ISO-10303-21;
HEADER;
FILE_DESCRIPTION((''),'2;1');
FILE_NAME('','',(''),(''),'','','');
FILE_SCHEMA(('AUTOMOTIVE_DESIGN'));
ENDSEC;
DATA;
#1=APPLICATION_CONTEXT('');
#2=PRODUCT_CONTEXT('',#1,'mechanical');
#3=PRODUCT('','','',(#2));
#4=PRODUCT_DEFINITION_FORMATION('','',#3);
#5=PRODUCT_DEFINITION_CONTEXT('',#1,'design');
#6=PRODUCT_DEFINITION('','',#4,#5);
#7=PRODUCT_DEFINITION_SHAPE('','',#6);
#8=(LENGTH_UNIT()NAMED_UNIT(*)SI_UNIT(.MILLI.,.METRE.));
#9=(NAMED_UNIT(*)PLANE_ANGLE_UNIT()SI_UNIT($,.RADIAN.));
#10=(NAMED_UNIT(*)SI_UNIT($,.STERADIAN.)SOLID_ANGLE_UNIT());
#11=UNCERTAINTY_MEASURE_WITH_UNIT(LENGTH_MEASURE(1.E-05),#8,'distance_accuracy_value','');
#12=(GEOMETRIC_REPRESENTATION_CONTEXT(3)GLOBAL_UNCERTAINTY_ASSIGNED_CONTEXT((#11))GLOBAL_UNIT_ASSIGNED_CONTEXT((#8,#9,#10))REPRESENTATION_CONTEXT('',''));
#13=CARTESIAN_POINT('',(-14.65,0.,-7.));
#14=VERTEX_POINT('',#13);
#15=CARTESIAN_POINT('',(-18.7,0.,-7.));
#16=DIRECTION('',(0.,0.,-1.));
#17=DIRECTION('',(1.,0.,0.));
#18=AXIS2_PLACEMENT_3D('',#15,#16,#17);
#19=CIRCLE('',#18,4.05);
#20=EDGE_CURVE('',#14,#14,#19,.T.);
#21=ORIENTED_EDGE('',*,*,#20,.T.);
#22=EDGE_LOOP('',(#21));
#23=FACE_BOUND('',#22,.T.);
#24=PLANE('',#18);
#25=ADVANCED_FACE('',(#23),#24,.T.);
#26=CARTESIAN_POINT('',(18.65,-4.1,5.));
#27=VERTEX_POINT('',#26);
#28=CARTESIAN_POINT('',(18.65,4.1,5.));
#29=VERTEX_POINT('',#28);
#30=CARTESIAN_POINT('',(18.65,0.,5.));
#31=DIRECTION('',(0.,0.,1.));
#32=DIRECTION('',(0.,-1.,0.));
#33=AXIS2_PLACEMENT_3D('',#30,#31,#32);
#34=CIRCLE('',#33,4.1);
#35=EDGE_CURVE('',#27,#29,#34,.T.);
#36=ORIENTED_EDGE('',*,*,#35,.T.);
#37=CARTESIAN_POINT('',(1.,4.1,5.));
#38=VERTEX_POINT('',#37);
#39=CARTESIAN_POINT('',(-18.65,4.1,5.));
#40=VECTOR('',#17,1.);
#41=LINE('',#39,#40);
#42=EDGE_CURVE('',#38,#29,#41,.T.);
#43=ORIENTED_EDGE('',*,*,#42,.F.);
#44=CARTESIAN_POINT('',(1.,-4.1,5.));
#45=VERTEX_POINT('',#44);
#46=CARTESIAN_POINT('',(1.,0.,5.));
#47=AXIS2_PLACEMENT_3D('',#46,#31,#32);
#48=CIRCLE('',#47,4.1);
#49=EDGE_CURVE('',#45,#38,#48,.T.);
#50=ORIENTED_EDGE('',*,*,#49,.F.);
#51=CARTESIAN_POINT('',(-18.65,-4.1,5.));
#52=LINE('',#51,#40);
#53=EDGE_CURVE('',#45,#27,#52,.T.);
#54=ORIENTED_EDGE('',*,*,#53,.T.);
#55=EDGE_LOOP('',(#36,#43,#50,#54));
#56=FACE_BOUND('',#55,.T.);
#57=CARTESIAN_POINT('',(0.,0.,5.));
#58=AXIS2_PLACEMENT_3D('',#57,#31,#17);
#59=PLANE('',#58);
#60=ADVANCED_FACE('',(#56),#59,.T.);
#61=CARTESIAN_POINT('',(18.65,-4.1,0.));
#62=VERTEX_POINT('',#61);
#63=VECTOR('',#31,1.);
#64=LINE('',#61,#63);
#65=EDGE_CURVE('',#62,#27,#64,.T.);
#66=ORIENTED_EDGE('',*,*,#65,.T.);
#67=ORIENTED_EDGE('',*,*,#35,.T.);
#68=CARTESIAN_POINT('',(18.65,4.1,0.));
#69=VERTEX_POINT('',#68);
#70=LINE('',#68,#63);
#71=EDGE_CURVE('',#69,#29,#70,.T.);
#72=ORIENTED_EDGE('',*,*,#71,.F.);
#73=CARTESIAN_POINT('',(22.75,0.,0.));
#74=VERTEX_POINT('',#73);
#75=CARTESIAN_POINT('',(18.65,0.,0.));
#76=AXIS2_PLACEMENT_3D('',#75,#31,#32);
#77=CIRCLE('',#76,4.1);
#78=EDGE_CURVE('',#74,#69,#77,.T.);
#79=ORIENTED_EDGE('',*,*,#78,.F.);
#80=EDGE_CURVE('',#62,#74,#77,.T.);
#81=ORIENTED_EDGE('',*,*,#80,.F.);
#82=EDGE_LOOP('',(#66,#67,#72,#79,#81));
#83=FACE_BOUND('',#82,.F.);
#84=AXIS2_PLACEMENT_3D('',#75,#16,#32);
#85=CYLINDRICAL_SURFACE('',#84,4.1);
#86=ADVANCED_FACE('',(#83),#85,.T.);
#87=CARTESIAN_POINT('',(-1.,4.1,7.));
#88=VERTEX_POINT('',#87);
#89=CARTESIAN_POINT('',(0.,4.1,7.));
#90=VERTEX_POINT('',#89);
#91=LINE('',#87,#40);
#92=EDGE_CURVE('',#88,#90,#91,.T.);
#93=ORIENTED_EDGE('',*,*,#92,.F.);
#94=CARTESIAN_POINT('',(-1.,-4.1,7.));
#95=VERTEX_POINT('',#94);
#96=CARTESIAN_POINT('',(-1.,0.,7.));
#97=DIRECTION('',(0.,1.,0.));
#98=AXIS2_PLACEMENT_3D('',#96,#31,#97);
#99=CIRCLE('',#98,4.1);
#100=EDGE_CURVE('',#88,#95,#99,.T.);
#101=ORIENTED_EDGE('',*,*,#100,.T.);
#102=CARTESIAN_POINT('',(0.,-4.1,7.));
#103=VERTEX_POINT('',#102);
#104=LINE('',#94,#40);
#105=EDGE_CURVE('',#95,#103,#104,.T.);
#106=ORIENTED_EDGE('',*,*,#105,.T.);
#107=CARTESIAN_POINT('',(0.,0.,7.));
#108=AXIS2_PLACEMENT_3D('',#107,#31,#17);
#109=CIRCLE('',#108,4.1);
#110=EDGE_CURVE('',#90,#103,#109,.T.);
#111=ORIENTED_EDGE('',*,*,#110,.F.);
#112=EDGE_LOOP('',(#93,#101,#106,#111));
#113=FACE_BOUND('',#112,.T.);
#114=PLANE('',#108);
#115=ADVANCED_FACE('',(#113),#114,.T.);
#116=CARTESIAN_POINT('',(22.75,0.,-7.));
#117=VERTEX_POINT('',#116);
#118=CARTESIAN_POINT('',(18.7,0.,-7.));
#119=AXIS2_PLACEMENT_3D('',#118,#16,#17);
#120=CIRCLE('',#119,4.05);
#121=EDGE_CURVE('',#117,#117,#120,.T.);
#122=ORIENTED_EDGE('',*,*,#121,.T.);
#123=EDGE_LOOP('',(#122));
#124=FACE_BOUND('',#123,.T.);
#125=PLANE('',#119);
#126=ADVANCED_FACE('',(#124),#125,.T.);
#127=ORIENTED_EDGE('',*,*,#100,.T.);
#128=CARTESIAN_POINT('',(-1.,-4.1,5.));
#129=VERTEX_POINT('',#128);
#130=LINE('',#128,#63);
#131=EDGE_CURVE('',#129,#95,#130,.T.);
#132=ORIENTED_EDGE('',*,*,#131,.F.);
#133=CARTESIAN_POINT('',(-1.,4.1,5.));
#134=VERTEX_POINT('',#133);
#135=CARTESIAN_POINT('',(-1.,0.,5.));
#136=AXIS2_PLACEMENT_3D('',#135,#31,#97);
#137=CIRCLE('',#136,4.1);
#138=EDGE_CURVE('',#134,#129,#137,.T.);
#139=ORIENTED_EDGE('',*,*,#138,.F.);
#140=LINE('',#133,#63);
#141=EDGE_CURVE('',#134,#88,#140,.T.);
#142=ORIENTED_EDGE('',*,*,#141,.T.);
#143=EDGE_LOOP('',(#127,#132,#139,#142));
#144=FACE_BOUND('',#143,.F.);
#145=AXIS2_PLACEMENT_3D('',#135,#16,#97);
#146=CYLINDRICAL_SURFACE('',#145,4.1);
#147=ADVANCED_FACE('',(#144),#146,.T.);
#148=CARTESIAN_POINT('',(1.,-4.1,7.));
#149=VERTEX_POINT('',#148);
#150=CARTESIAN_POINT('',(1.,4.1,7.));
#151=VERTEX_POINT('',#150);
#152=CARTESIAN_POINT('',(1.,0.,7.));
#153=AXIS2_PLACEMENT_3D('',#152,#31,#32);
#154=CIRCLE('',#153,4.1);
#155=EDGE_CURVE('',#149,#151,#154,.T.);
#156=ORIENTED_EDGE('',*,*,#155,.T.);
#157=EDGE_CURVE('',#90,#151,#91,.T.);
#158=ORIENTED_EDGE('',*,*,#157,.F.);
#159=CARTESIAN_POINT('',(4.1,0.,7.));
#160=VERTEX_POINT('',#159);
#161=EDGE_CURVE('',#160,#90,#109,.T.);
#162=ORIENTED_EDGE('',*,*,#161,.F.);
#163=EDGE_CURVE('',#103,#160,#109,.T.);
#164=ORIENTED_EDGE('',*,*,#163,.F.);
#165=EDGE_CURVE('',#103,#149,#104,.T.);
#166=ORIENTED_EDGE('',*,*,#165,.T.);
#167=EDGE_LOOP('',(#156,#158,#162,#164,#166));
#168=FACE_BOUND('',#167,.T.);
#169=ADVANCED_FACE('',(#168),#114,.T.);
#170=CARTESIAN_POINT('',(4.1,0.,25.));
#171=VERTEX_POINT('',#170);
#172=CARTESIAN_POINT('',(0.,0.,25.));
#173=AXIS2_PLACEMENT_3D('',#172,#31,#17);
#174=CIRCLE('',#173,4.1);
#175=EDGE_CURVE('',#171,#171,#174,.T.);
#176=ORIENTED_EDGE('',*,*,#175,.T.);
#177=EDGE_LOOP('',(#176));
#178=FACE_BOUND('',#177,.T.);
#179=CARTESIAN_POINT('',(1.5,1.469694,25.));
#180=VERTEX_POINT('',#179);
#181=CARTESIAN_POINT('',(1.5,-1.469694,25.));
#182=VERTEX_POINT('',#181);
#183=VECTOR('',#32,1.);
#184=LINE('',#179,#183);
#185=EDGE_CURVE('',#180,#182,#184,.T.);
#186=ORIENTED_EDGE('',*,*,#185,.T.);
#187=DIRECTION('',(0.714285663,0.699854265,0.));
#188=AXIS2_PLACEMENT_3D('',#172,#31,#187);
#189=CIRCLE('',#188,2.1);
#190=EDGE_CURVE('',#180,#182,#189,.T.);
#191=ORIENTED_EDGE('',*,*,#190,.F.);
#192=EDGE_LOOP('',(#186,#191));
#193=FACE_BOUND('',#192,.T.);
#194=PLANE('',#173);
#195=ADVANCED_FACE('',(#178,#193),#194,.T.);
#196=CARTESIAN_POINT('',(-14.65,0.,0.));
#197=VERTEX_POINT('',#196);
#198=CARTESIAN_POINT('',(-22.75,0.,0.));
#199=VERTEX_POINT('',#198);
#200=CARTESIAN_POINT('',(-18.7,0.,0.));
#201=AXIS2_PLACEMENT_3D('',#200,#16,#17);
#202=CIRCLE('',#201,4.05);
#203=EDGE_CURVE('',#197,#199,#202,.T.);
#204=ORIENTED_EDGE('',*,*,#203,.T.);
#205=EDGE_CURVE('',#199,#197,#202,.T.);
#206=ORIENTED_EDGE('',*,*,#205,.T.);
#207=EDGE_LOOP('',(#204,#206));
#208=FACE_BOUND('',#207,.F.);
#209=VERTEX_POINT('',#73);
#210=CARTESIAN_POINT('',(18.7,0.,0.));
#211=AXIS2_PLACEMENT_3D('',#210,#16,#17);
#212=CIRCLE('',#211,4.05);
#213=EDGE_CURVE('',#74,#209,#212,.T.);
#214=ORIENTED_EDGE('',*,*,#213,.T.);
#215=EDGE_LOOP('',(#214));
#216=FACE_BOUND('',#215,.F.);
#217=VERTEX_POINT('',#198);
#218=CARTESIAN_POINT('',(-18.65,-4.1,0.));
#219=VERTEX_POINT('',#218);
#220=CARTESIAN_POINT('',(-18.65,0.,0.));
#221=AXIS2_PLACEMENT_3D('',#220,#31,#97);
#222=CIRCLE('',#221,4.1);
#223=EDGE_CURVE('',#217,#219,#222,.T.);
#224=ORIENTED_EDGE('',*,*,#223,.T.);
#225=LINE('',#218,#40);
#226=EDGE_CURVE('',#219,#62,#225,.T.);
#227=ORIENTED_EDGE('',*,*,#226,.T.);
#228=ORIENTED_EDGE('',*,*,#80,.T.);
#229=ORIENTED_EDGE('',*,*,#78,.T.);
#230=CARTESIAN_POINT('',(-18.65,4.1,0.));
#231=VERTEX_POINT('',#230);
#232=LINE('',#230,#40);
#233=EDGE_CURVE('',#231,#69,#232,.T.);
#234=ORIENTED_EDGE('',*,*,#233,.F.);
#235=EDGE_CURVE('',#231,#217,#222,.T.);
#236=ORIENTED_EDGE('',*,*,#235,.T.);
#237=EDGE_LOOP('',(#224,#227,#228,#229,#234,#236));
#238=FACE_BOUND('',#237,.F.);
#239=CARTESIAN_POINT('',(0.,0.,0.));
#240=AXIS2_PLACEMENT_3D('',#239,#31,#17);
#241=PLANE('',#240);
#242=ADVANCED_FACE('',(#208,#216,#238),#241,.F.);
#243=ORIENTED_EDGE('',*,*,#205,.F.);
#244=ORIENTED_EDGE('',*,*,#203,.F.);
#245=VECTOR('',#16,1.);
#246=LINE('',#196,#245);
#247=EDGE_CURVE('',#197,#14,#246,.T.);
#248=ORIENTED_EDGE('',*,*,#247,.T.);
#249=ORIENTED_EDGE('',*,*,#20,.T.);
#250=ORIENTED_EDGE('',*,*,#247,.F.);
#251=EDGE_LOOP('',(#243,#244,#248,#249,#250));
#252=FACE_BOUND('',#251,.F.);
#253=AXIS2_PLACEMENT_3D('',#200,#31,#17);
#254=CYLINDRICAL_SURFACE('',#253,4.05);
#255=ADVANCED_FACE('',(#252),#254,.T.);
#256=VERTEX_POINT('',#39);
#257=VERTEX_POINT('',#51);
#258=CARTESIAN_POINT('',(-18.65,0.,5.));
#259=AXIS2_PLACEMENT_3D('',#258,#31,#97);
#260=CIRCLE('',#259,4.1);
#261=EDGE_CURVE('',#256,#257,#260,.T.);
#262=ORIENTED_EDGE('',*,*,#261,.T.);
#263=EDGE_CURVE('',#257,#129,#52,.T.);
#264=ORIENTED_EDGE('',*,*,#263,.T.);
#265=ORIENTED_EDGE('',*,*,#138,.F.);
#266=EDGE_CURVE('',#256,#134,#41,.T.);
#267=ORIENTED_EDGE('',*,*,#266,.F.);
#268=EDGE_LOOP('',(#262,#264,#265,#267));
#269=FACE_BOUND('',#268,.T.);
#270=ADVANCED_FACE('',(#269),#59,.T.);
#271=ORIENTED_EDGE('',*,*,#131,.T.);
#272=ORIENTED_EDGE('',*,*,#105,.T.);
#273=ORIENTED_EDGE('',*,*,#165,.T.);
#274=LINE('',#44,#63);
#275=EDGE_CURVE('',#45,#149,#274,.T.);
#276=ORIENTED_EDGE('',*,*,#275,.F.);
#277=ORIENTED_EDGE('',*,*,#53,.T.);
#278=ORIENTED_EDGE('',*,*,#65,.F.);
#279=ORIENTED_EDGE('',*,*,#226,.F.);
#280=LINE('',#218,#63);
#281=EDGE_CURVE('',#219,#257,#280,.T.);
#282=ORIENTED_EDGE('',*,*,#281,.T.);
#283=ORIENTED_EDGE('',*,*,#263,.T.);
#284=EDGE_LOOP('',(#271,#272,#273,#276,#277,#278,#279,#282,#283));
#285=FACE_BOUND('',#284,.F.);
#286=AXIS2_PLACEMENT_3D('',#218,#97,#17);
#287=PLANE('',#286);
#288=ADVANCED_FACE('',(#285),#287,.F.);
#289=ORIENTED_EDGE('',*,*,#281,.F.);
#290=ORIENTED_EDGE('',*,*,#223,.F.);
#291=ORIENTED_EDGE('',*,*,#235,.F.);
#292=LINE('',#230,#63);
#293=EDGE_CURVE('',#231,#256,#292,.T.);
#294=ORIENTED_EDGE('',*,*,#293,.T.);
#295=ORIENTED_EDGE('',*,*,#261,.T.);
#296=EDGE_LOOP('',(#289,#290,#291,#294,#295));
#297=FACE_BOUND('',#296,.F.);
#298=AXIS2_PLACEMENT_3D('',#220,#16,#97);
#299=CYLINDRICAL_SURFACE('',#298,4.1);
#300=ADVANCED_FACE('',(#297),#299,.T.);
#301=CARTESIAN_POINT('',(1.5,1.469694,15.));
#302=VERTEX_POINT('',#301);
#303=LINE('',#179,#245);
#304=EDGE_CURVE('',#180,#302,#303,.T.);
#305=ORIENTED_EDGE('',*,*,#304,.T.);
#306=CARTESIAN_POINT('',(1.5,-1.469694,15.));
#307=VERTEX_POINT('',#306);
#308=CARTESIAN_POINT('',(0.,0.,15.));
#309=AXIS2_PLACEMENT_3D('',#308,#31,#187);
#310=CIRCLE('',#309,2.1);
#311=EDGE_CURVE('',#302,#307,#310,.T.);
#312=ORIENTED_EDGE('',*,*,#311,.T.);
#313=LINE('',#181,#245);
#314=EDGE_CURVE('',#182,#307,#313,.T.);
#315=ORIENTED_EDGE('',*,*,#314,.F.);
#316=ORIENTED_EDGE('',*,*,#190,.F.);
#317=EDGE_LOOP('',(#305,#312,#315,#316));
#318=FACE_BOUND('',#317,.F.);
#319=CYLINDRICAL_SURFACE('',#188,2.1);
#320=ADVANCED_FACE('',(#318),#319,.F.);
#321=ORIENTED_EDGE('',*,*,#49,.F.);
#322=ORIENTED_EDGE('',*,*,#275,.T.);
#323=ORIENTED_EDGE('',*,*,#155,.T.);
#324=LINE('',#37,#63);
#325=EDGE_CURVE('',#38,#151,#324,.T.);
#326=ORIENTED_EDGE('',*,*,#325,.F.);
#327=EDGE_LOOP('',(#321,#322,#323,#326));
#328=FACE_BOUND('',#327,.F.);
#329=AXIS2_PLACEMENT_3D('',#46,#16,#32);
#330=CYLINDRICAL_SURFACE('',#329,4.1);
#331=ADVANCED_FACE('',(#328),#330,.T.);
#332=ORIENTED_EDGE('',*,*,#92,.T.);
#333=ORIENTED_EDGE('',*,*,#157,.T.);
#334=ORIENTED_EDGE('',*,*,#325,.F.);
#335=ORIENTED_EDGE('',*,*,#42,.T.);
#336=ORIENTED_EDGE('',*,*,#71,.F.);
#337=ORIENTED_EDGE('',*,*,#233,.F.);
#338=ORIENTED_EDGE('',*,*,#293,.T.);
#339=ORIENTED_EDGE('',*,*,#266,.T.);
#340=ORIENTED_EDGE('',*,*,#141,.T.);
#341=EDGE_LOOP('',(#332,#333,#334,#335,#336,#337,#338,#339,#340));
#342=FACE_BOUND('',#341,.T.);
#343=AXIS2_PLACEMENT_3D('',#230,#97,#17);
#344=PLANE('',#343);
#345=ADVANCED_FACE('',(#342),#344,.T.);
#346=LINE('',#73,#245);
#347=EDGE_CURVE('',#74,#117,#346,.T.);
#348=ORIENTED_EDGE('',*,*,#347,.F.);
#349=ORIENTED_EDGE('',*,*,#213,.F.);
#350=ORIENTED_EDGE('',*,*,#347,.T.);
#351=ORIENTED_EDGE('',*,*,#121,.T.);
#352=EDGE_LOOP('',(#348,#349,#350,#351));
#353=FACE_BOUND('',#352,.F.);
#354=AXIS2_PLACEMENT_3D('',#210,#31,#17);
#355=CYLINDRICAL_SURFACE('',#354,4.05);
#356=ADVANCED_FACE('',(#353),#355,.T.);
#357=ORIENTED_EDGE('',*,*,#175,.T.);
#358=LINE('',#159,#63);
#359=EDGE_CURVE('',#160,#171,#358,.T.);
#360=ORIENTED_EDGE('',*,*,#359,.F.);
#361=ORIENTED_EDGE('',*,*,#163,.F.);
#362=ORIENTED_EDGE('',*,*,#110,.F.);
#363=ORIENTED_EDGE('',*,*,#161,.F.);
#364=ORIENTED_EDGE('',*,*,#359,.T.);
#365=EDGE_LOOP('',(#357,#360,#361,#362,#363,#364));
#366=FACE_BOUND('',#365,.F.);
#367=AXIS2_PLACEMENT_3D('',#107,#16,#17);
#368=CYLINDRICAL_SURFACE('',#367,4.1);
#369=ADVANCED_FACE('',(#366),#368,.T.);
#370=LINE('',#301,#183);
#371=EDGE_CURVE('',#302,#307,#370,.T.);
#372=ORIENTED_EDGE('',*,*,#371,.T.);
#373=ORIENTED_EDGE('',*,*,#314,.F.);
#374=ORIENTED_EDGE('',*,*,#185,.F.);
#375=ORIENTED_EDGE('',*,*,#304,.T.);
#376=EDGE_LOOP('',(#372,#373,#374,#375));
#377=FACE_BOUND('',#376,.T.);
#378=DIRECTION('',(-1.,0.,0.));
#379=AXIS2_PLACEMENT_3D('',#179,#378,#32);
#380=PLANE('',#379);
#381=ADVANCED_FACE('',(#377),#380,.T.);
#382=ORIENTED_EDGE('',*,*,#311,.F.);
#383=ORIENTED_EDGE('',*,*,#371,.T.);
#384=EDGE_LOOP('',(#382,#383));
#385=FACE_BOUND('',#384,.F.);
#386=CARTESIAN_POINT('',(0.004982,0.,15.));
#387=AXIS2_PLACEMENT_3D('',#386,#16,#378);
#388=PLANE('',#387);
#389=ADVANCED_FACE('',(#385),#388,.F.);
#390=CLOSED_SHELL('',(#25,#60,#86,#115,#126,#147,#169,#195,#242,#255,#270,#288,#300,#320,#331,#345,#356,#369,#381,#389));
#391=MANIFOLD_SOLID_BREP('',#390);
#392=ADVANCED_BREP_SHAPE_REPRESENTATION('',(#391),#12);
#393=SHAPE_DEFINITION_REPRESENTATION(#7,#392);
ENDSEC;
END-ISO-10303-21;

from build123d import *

# Parameters (mm, degrees)
PAD007_DEPTH    = 5
PAD008_DEPTH    = 2
SKETCH010_R     = 4.05
PAD009_DEPTH    = 7
SKETCH012_R     = 4.1
PAD011_DEPTH    = 18
POCKET002_DEPTH = 10


with BuildPart() as part:
    # Sketch007 → Pad007 (new body)
    with BuildSketch(Plane.XY):
        with BuildLine():
            ThreePointArc((-18.65, 4.1), (-22.75, 0), (-18.65, -4.1))
            Line((-18.65, -4.1), (18.65, -4.1))
            ThreePointArc((18.65, -4.1), (22.75, 0), (18.65, 4.1))
            Line((-18.65, 4.1), (18.65, 4.1))
        make_face()
    extrude(amount=PAD007_DEPTH)

    # Sketch008 (on Face6 of Pad007) → Pad008 (join)
    with BuildSketch(Plane.XY.offset(5)):
        with BuildLine():
            ThreePointArc((-1, 4.1), (-5.1, 0), (-1, -4.1))
            Line((-1, -4.1), (1, -4.1))
            ThreePointArc((1, -4.1), (5.1, 0), (1, 4.1))
            Line((-1, 4.1), (1, 4.1))
        make_face()
    extrude(amount=PAD008_DEPTH)

    # Sketch010 → Pad009 (join)
    with BuildSketch(Plane(origin=(0, 0, 0), x_dir=(1, 0, 0), z_dir=(0, 0, -1))):
        with Locations((-18.7, 0)):
            Circle(SKETCH010_R)
        with Locations((18.7, 0)):
            Circle(SKETCH010_R)
    extrude(amount=PAD009_DEPTH)

    # Sketch012 (on Face8 of Pad008) → Pad011 (join)
    with BuildSketch(Plane.XY.offset(7)):
        Circle(SKETCH012_R)
    extrude(amount=PAD011_DEPTH)

    # Sketch009 (on Face17 of Pad011) → Pocket002 (cut)
    with BuildSketch(Plane.XY.offset(25)):
        with BuildLine():
            Line((1.5, 1.469694), (1.5, -1.469694))
            ThreePointArc((1.5, 1.469694), (-2.1, 0), (1.5, -1.469694))
        make_face()
    extrude(amount=-POCKET002_DEPTH, mode=Mode.SUBTRACT)


solid = part.part
